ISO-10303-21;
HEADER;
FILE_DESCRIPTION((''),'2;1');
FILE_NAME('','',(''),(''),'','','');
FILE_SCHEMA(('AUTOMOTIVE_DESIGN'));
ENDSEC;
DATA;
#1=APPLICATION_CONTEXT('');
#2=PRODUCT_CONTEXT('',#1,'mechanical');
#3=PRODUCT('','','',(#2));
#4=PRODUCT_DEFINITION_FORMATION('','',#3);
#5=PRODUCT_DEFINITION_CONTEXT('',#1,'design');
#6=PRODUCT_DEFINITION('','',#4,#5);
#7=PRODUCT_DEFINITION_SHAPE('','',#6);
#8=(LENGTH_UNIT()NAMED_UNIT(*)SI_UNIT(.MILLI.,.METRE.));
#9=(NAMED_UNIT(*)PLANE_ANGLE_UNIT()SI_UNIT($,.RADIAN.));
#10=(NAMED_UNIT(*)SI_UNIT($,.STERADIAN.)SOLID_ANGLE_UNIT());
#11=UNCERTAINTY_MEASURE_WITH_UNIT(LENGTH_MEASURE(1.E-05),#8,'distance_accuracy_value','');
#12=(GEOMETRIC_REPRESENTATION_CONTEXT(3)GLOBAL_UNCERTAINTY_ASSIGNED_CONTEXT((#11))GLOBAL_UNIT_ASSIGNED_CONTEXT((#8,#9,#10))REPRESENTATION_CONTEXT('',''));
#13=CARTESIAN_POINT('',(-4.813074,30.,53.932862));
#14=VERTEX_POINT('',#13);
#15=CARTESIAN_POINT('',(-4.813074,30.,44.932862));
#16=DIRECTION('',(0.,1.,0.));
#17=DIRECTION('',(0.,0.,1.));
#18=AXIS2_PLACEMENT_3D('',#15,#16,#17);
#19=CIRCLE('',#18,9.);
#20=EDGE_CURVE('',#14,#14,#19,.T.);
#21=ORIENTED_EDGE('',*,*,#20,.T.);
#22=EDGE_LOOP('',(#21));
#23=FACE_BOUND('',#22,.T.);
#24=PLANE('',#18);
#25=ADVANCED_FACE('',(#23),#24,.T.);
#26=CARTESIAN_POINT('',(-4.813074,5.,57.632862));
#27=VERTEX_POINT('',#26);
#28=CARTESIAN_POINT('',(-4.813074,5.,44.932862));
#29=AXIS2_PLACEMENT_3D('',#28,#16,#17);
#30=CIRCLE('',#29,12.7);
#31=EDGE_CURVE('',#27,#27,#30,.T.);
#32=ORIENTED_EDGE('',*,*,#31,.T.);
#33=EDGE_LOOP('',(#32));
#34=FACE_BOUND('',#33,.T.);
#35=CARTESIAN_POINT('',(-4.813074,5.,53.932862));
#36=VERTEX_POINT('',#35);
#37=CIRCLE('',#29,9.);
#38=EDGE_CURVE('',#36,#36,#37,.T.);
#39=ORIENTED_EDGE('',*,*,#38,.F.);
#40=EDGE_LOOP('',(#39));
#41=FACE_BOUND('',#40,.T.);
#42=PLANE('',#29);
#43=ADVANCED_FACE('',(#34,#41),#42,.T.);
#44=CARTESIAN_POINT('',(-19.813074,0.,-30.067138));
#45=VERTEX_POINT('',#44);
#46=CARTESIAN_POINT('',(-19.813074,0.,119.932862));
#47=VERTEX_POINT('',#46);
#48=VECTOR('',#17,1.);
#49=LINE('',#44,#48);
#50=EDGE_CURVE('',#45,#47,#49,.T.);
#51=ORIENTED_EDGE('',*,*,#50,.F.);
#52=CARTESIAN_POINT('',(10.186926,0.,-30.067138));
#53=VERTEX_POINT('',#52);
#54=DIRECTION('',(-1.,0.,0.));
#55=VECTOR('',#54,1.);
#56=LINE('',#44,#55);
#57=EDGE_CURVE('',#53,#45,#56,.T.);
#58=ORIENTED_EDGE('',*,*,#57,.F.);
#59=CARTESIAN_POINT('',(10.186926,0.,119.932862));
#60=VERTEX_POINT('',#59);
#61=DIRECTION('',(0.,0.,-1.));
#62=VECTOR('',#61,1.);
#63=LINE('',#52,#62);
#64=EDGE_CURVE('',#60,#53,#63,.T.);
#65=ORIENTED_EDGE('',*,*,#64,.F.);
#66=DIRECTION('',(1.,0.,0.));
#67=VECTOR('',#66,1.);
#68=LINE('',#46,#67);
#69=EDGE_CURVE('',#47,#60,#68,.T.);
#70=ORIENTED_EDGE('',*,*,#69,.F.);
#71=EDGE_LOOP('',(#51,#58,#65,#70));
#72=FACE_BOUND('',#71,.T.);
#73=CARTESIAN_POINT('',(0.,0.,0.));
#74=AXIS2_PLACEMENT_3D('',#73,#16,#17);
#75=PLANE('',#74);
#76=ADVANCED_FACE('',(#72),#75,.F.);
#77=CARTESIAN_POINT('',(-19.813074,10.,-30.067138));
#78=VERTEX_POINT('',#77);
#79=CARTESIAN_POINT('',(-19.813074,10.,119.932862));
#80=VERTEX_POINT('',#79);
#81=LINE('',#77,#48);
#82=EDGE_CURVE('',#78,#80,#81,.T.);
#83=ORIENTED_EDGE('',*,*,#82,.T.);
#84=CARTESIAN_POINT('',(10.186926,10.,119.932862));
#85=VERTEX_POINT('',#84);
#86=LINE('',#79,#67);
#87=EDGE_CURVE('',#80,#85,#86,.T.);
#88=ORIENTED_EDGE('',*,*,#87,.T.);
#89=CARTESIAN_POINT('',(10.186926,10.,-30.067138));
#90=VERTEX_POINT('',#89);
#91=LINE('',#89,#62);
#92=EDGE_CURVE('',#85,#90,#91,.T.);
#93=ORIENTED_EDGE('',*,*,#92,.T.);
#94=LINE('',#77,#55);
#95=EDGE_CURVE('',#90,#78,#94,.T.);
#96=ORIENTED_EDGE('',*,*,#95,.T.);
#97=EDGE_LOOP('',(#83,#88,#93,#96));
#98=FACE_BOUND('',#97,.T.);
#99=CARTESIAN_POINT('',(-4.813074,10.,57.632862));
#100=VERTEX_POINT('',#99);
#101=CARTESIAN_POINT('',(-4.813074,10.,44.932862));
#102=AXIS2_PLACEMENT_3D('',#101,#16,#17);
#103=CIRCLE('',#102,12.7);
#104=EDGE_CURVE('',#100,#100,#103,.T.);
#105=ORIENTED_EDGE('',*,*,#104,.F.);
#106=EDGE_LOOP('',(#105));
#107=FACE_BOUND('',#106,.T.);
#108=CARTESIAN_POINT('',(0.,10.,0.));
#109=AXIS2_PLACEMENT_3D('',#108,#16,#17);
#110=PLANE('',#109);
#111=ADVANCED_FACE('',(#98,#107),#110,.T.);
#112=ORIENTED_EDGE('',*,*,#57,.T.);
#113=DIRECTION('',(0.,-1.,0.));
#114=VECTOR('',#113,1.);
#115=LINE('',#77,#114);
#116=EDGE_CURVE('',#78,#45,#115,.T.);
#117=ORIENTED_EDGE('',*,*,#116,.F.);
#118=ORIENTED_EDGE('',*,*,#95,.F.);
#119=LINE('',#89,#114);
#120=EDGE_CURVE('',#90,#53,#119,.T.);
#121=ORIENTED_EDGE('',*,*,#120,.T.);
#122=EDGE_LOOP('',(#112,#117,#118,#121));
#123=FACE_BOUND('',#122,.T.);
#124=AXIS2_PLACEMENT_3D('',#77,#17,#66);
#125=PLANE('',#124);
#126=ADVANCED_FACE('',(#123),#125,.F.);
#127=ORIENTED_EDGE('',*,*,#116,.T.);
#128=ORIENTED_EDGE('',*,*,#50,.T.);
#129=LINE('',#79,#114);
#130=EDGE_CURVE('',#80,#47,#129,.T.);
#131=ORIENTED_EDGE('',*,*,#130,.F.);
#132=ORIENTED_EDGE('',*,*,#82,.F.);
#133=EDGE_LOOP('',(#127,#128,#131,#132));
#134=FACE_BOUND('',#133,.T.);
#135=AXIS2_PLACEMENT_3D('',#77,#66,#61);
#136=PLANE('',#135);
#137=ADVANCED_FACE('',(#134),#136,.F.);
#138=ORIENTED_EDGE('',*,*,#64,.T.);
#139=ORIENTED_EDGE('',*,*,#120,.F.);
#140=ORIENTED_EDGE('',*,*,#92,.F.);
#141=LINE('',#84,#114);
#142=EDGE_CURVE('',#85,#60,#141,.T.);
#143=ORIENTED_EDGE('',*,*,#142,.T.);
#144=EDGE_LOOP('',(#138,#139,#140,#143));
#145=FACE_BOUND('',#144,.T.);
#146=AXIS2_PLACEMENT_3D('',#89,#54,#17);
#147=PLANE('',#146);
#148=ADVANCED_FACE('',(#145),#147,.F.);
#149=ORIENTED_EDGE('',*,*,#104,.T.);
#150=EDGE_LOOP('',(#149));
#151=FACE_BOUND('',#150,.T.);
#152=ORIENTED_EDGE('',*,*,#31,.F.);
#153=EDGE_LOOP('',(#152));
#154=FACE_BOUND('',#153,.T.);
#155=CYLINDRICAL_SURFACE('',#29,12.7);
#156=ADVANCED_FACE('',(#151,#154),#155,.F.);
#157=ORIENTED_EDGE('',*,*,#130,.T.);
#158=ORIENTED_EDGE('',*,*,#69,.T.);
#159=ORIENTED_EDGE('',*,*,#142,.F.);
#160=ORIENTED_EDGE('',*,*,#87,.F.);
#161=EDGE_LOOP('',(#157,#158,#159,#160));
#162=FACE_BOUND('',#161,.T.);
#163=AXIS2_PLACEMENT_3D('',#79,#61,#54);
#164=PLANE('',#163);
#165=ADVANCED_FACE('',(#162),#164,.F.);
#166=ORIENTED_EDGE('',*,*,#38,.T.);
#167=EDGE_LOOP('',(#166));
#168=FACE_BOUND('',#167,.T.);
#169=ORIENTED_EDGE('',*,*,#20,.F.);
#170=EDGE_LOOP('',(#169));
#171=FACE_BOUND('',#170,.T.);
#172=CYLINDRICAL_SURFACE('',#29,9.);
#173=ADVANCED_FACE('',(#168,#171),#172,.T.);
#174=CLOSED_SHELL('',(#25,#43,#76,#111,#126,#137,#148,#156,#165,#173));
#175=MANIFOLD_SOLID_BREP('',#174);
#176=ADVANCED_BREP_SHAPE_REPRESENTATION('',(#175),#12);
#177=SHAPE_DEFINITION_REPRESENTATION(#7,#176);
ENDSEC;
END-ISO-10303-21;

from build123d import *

# Parameters (mm, degrees)
SKETCH1_W           = 30
SKETCH1_H           = 150
BOSS_EXTRUDE2_DEPTH = 10
SKETCH3_R           = 12.7
SKETCH3_R_2         = 9
CUT_EXTRUDE1_DEPTH  = 5
BOSS_EXTRUDE3_START = 20
SKETCH4_R           = 9
BOSS_EXTRUDE3_DEPTH = 20


with BuildPart() as part:
    # Sketch1 → Boss-Extrude2 (new body)
    with BuildSketch(Plane(origin=(0, 0, 0), x_dir=(1, 0, 0), z_dir=(0, 1, 0))):
        with Locations((-4.813074205, -44.932862191)):
            Rectangle(SKETCH1_W, SKETCH1_H)
    extrude(amount=BOSS_EXTRUDE2_DEPTH)

    # Sketch3 → Cut-Extrude1 (cut)
    with BuildSketch(Plane(origin=(0, 10, 0), x_dir=(1, 0, 0), z_dir=(0, 1, 0))):
        with Locations(Location((-4.813074205, -44.932862191, 0), (0, 0, 270))):
            Circle(SKETCH3_R)
        with Locations(Location((-4.813074205, -44.932862191, 0), (0, 0, 270))):
            Circle(SKETCH3_R_2, mode=Mode.SUBTRACT)
    extrude(amount=-CUT_EXTRUDE1_DEPTH, mode=Mode.SUBTRACT)

    # Sketch4 → Boss-Extrude3 (add)
    with BuildSketch(Plane(origin=(0, 10, 0), x_dir=(1, 0, 0), z_dir=(0, 1, 0)).offset(BOSS_EXTRUDE3_START)):
        with Locations(Location((-4.813074205, -44.932862191, 0), (0, 0, 270))):
            Circle(SKETCH4_R)
    extrude(amount=-BOSS_EXTRUDE3_DEPTH)


solid = part.part
